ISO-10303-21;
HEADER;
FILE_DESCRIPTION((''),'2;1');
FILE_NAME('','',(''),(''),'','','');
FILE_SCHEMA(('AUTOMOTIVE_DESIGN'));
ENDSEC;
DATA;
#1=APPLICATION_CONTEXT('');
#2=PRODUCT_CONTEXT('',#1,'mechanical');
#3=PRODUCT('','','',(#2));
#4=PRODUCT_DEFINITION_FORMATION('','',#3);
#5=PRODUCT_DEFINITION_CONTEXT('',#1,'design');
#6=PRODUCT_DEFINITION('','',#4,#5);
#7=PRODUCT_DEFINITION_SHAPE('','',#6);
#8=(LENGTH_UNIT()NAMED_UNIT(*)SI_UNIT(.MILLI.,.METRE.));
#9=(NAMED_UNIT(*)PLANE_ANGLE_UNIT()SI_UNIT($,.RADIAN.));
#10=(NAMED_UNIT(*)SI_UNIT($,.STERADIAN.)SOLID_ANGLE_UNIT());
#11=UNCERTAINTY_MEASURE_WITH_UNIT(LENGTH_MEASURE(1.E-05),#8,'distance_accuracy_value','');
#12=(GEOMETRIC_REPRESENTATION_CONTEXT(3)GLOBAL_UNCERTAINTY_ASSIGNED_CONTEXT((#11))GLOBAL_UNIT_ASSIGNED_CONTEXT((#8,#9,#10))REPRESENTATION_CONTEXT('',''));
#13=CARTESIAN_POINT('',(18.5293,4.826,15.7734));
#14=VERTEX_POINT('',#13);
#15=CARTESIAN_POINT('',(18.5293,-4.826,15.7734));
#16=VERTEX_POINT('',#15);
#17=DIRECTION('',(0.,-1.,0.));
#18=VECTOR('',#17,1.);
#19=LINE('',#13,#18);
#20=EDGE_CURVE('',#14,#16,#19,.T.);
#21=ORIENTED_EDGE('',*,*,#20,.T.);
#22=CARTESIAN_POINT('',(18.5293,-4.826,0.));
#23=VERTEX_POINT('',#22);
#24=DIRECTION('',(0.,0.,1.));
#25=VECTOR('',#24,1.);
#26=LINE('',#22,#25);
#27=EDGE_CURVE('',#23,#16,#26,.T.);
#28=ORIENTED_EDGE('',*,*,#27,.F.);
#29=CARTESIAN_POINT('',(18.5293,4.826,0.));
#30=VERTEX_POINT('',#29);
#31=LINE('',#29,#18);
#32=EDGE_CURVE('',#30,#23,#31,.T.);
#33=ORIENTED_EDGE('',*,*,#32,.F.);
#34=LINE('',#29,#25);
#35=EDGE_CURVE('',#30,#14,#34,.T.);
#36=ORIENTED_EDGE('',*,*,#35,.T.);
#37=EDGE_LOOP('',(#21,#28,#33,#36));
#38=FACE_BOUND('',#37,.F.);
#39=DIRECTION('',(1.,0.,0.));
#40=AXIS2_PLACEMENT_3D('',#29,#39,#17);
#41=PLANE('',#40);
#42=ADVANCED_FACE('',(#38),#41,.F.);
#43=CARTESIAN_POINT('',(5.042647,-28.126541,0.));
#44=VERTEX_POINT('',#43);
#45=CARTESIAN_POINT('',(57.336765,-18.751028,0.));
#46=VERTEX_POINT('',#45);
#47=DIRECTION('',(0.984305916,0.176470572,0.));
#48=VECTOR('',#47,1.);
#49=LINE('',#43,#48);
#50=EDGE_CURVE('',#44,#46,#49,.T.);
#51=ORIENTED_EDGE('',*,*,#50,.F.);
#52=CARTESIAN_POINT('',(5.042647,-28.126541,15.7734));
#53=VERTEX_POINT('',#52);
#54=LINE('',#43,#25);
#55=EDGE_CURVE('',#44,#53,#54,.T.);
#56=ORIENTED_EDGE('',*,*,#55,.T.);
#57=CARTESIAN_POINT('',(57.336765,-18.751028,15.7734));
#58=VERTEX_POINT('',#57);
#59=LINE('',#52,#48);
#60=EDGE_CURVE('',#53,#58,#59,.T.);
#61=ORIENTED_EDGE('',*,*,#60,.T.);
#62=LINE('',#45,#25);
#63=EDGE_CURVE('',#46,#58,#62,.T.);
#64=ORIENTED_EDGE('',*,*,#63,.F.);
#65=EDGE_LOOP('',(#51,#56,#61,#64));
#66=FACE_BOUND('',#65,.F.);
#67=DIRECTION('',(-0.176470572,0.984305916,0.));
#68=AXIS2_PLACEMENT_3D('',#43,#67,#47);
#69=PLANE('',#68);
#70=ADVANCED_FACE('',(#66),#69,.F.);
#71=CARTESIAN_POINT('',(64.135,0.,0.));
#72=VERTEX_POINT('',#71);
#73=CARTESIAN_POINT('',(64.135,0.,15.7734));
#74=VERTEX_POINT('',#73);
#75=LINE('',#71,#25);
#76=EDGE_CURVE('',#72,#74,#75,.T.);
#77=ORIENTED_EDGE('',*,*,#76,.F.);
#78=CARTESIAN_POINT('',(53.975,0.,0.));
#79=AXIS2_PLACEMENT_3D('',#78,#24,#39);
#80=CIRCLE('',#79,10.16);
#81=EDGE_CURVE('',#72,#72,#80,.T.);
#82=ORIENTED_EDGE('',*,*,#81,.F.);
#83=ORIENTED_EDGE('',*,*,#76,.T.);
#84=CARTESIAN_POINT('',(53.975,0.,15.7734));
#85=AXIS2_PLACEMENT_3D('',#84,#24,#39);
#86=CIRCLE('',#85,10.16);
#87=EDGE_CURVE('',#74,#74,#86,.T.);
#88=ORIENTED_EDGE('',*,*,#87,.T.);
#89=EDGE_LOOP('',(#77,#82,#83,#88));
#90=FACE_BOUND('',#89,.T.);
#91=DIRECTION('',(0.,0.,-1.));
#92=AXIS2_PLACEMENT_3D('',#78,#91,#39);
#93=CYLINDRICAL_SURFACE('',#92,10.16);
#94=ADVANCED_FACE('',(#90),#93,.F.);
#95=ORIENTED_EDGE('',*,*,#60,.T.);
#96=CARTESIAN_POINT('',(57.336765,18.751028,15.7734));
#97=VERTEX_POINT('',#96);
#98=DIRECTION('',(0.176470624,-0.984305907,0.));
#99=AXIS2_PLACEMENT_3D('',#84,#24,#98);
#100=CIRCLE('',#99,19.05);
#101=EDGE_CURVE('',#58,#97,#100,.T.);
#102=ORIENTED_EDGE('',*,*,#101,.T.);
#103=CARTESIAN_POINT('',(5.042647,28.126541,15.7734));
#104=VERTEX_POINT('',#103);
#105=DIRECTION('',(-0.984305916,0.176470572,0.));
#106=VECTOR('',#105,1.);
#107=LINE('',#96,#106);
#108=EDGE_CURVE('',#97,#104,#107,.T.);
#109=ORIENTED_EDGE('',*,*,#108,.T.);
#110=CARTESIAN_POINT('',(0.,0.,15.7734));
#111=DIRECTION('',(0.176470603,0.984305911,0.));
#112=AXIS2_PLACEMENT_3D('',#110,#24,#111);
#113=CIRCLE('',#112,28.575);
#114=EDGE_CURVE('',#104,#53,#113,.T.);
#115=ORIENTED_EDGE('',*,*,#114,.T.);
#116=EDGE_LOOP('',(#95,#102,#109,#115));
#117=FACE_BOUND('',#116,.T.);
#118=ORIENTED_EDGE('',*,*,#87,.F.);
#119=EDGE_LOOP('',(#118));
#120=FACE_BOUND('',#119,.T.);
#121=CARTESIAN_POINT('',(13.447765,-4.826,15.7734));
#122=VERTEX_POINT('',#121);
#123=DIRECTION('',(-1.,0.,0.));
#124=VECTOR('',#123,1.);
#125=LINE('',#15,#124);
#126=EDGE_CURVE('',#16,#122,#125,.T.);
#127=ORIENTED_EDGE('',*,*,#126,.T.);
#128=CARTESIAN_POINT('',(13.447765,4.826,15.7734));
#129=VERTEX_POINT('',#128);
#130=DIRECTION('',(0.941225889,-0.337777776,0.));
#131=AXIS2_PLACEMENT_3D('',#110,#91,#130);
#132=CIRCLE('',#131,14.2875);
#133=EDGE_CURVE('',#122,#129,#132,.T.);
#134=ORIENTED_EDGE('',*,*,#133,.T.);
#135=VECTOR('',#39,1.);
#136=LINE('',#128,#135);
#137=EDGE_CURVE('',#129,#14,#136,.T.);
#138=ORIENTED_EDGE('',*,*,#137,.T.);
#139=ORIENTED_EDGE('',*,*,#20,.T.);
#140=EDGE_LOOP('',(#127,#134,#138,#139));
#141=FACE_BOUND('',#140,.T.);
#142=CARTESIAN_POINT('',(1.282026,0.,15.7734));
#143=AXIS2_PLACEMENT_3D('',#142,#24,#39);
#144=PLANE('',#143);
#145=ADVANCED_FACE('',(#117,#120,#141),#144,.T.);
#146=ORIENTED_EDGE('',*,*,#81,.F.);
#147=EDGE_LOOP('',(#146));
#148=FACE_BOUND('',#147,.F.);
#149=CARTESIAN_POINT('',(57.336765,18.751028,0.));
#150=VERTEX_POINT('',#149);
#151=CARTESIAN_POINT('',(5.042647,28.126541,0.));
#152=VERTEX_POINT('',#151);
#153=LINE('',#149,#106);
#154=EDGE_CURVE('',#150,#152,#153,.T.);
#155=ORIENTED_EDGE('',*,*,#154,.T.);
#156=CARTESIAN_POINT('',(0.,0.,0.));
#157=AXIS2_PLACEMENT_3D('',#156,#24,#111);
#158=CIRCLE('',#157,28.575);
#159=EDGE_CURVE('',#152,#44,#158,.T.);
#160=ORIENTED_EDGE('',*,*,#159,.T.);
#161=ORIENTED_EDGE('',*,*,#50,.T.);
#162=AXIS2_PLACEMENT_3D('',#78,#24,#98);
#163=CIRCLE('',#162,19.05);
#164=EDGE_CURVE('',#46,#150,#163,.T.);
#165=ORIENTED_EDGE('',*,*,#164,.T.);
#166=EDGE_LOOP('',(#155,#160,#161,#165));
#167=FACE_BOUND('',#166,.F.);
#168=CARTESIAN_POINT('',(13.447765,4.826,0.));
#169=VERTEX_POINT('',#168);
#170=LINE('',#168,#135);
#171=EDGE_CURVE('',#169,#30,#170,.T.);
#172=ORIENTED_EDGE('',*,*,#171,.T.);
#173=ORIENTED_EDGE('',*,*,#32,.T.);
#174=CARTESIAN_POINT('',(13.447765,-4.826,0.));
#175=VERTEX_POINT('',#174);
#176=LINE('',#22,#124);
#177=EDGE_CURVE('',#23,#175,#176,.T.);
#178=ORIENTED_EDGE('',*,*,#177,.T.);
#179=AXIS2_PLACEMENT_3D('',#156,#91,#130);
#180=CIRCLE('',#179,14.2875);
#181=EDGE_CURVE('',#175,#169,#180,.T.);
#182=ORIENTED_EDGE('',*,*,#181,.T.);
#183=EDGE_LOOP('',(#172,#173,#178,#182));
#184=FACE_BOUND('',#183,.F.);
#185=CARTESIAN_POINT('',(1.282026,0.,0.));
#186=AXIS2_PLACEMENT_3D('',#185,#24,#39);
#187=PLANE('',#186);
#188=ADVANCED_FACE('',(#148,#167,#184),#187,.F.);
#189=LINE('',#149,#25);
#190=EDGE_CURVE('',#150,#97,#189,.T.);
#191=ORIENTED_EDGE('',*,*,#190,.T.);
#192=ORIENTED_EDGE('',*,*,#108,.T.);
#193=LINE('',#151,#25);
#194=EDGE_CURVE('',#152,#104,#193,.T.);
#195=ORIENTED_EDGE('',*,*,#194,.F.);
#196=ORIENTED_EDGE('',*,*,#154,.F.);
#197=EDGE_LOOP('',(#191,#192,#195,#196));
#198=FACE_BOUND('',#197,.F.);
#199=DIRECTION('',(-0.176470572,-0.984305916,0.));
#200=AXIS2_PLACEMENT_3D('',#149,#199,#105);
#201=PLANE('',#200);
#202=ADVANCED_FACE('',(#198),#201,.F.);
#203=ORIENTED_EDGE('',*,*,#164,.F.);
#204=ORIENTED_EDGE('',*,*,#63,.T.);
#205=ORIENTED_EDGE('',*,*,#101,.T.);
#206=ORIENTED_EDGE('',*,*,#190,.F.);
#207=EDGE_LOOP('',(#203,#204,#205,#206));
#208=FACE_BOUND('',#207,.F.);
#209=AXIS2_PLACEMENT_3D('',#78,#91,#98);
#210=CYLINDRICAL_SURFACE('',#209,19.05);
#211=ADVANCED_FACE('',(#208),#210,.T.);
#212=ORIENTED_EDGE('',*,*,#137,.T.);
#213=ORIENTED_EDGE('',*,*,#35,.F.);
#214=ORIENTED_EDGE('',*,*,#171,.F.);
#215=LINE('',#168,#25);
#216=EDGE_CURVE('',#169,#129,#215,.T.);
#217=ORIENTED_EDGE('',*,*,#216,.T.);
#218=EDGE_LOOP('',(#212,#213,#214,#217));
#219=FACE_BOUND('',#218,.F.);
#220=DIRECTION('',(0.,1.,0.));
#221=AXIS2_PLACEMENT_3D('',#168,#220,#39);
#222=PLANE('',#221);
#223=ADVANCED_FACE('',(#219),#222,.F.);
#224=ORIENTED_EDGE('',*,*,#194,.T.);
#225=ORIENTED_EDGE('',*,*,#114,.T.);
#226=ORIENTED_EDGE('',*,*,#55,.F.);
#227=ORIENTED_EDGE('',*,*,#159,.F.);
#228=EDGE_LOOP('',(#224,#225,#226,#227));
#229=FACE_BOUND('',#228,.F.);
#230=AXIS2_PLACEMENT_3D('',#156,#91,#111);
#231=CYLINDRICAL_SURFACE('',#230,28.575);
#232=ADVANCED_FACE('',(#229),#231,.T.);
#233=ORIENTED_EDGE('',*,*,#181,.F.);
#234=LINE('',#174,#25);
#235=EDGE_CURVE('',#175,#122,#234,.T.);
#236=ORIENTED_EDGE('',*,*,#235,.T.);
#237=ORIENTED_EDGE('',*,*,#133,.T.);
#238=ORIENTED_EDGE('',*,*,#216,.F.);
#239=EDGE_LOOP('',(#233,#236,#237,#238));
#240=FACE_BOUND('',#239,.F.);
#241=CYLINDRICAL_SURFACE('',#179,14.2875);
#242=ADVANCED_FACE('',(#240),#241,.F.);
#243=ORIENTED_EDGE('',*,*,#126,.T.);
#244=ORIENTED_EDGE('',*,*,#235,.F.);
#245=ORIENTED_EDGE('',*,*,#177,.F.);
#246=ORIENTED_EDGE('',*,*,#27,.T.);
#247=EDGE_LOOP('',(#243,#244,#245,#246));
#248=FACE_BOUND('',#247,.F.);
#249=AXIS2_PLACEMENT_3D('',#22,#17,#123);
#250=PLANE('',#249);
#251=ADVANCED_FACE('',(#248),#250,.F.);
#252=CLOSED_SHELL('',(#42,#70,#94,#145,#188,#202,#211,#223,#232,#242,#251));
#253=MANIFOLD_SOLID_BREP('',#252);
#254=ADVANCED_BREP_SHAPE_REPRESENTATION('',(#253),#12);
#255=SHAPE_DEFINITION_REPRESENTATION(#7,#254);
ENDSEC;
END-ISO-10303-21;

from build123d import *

# Parameters (mm, degrees)
F0_R     = 10.16
F1_DEPTH = 15.7734


with BuildPart() as f1:
    # F0 (on Top) → F1 (new body)
    with BuildSketch(Plane.XY):
        with BuildLine():
            ThreePointArc((5.042647, 28.126541), (-28.575, 0), (5.042647, -28.126541))
            ThreePointArc((5.042647, -28.126541), (21.916025, -18.336262), (28.575, 0))
            ThreePointArc((28.575, 0), (21.916025, 18.336262), (5.042647, 28.126541))
        make_face()
        with BuildLine():
            ThreePointArc((13.447765, -4.826), (-14.2875, 0), (13.447765, 4.826))
            Line((13.447765, 4.826), (18.5293, 4.826))
            Line((18.5293, 4.826), (18.5293, -4.826))
            Line((18.5293, -4.826), (13.447765, -4.826))
        make_face(mode=Mode.SUBTRACT)
        with BuildLine():
            Line((5.042647, -28.126541), (57.336765, -18.751028))
            ThreePointArc((57.336765, -18.751028), (73.025, 0), (57.336765, 18.751028))
            Line((57.336765, 18.751028), (5.042647, 28.126541))
            ThreePointArc((5.042647, 28.126541), (21.916025, 18.336262), (28.575, 0))
            ThreePointArc((28.575, 0), (21.916025, -18.336262), (5.042647, -28.126541))
        make_face()
        with Locations((53.975, 0)):
            Circle(F0_R, mode=Mode.SUBTRACT)
    extrude(amount=F1_DEPTH)


solid = f1.part
